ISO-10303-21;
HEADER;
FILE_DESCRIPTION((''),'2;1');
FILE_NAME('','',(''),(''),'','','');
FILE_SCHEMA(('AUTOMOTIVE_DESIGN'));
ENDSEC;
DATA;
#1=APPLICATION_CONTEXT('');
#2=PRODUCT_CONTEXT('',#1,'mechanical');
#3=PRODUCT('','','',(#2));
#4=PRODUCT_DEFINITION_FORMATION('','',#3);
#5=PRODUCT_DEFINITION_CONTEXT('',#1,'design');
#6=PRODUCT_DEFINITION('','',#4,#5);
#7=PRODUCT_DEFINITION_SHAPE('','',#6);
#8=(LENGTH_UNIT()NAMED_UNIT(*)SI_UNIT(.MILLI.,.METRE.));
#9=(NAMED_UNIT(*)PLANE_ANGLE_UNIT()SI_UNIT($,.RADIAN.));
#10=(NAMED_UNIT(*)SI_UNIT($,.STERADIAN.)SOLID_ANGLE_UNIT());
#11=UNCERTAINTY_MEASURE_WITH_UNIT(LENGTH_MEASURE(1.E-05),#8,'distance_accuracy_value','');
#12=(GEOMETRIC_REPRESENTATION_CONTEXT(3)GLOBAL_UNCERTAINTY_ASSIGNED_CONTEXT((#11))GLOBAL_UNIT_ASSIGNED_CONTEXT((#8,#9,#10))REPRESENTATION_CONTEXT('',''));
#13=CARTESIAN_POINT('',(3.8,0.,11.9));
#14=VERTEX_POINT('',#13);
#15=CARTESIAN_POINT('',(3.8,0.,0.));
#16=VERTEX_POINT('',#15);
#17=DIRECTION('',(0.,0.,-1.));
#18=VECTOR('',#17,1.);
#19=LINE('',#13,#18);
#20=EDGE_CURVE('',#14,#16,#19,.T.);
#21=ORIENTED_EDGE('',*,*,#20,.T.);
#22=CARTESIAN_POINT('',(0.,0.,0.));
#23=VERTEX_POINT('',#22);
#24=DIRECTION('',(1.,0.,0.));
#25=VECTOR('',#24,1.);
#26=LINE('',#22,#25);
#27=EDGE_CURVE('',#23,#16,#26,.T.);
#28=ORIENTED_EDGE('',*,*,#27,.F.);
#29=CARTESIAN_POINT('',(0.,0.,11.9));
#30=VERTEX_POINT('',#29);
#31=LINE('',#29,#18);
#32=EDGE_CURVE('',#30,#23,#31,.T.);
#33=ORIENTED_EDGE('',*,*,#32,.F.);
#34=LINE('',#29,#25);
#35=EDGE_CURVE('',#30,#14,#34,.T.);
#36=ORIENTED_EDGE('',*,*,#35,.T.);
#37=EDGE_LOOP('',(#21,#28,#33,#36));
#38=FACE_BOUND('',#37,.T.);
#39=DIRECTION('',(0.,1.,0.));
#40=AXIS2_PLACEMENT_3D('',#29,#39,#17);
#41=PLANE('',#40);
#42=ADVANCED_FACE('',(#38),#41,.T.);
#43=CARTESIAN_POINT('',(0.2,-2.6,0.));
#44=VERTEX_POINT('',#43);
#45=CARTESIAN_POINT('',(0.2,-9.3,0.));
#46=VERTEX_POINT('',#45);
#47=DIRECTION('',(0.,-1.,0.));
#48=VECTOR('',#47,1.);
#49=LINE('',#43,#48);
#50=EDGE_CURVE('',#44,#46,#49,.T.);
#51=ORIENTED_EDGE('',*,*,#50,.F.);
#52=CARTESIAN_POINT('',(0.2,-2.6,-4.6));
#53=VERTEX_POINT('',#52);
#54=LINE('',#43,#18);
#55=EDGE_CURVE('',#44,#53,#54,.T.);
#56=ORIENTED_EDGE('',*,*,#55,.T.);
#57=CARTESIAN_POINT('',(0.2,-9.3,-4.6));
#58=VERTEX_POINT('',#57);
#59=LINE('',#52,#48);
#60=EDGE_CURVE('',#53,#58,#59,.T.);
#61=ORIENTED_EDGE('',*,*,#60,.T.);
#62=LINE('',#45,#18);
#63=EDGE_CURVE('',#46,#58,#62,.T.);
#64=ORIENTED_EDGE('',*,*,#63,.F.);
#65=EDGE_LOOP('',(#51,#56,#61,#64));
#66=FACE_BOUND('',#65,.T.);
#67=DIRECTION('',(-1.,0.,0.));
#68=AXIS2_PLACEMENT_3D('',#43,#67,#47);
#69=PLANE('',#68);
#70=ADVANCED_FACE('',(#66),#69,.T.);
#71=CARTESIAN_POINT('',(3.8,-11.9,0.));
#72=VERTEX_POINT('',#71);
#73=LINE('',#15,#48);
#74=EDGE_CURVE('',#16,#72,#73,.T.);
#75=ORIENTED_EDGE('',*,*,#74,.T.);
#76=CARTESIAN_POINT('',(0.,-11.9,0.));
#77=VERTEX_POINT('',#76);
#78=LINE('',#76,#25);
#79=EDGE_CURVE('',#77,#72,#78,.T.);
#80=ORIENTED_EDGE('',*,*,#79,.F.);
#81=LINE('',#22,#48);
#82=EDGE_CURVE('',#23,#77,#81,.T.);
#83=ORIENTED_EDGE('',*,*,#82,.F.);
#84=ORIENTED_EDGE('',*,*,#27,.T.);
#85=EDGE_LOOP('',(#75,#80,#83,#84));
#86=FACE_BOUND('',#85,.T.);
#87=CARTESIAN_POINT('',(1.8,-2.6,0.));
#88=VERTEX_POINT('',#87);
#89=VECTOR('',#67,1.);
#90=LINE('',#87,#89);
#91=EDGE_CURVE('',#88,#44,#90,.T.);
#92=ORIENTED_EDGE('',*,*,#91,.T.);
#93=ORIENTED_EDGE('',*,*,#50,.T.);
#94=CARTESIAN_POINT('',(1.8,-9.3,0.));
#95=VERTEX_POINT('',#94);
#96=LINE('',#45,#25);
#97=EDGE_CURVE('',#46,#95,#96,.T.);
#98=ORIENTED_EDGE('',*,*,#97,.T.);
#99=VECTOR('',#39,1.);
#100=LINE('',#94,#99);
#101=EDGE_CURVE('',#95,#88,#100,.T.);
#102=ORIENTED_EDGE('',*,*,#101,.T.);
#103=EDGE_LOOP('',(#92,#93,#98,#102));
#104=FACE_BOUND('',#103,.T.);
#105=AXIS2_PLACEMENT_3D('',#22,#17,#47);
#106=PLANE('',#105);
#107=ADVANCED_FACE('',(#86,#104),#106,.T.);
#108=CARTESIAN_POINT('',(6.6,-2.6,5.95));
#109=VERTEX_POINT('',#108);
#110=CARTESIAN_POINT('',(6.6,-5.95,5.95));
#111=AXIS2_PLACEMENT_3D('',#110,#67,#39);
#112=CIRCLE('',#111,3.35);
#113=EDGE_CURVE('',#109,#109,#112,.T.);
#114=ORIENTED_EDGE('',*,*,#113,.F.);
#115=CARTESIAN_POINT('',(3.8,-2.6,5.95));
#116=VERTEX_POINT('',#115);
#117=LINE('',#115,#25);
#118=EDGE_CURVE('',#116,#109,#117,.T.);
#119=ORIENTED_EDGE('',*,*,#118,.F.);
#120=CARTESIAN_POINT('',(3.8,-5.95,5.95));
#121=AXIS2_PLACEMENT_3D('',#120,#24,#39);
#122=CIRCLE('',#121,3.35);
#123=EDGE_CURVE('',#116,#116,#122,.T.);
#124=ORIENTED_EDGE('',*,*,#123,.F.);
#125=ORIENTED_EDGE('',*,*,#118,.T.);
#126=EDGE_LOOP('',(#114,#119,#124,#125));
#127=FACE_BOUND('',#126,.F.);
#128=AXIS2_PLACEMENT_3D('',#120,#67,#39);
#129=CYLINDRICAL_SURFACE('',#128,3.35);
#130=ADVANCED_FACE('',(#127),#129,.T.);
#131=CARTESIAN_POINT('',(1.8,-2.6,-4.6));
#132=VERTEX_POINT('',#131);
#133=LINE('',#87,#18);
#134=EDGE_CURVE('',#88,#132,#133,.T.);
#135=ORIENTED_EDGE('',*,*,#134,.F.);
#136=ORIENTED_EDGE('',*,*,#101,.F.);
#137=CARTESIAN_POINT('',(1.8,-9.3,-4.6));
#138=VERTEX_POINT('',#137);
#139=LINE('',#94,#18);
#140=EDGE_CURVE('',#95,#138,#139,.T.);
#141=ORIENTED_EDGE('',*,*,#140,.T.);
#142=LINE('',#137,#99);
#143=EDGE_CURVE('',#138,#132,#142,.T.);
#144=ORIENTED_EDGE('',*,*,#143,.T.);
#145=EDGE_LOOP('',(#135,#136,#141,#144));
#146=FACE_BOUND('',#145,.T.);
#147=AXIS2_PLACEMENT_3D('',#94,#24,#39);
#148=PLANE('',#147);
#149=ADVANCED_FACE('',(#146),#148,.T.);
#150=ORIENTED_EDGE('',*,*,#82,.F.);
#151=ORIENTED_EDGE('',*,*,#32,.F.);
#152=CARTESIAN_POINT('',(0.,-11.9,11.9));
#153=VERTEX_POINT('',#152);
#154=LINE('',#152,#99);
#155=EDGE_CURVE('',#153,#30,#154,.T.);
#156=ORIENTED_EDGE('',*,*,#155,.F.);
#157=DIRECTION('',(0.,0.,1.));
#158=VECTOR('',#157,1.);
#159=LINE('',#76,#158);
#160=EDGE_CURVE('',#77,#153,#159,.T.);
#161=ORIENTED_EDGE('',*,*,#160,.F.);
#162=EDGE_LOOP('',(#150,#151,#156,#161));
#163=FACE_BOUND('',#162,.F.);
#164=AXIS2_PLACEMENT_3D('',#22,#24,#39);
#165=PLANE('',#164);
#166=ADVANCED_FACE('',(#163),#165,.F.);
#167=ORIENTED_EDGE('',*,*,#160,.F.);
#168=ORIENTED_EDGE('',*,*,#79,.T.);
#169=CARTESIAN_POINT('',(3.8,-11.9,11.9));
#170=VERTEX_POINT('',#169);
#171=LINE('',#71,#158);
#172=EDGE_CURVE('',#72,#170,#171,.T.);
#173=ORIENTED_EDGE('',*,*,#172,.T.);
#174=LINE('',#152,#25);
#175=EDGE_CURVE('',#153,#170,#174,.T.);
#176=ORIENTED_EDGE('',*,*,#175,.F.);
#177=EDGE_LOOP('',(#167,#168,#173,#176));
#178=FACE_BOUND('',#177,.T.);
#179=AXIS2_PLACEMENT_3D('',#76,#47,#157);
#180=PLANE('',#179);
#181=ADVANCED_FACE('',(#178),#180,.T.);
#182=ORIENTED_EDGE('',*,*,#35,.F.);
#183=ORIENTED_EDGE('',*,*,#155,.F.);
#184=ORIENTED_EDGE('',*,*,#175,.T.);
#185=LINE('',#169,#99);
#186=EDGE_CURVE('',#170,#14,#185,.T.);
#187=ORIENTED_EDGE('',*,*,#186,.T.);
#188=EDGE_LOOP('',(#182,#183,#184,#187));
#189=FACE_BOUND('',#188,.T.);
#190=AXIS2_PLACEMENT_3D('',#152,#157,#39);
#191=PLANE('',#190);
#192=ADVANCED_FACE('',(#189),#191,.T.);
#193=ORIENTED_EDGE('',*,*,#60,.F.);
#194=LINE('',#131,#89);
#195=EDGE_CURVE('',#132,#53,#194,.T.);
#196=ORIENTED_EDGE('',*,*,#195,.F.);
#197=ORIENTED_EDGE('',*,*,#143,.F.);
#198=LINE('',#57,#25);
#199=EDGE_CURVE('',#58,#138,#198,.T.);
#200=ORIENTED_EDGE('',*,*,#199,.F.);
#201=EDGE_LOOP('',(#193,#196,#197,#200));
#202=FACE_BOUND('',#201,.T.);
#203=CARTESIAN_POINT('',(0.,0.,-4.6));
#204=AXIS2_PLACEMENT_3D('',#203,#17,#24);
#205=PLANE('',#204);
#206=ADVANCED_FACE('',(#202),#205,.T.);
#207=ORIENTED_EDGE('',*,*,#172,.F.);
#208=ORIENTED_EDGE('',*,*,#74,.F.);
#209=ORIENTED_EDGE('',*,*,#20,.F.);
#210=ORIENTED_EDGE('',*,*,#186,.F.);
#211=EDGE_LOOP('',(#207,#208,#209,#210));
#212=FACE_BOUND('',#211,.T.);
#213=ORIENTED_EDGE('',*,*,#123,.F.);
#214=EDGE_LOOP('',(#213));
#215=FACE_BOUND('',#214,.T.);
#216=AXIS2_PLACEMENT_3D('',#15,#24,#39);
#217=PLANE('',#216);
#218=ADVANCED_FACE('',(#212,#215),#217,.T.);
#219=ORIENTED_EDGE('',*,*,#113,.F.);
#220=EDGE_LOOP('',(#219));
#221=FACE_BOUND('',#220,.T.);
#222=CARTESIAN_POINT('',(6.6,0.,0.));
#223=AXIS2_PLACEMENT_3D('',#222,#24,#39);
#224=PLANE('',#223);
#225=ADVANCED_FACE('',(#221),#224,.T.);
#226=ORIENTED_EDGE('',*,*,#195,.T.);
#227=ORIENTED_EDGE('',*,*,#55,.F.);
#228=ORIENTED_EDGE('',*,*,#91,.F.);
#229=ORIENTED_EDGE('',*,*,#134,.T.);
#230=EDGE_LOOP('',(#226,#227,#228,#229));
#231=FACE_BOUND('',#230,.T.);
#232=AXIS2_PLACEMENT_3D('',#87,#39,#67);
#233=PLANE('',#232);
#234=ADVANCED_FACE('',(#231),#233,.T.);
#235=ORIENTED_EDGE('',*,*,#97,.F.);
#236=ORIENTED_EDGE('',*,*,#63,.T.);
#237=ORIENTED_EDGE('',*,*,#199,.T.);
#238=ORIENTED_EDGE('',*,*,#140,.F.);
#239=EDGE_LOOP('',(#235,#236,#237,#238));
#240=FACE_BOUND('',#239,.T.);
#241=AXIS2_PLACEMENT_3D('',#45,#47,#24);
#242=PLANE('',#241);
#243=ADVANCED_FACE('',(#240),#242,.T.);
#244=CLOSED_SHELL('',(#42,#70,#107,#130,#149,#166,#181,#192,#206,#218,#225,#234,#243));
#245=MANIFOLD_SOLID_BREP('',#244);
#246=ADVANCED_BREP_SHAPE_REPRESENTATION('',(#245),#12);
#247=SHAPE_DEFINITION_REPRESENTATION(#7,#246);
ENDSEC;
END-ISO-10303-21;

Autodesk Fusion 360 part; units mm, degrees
sketch "Sketch1" plane through (0, 0, 0) normal (1, 0, 0) x (0, 1, 0)
  line L0 (0, 0) -> (-11.9, 0)
  line L1 (-11.9, 0) -> (-11.9, 11.9)
  line L2 (-11.9, 11.9) -> (0, 11.9)
  line L3 (0, 11.9) -> (0, 0)
  dimension "d1" = 11.9
  dimension "d2" = 11.9
extrude "Extrude1" add sketch "Sketch1" along normal blind 3.8
sketch "Sketch2" plane through (3.8, 0, 0) normal (1, 0, 0) x (0, 1, 0)
  line L0 (0, 11.9) -> (-11.9, 11.9)
  line L1 (-11.9, 11.9) -> (-11.9, 0)
  line L2 (-11.9, 0) -> (0, 0)
  line L3 (0, 0) -> (0, 11.9)
  line L4 (-5.95, 11.9) -> (-5.95, 0)
  line L5 (0, 5.95) -> (-11.9, 5.95)
  circle A0 centre (-5.95, 5.95) radius 3.35
  dimension "d5" = 6.7
extrude "Extrude2" add sketch "Sketch2" along normal blind 2.8 contours L4 L5 A0 | L4 L5 A0 | L4 L5 A0 | L4 L5 A0
sketch "Sketch3" plane through (0, 0, 0) normal (0, 0, -1) x (1, 0, 0)
  line L0 (0, 11.9) -> (0, 0)
  line L1 (0, 0) -> (3.8, 0)
  line L2 (3.8, 0) -> (3.8, 11.9)
  line L3 (3.8, 11.9) -> (0, 11.9)
  line L4 (0.2, 9.3) -> (1.8, 9.3)
  line L5 (1.8, 9.3) -> (1.8, 2.6)
  line L6 (1.8, 2.6) -> (0.2, 2.6)
  line L7 (0.2, 2.6) -> (0.2, 9.3)
  dimension "d8" = 2.6
  dimension "d10" = 2.6
  dimension "d11" = 0.2
  dimension "d12" = 2
extrude "Extrude3" add sketch "Sketch3" along normal blind 4.6 contours L4 L5 L6 L7
equation "d10 = d8"
